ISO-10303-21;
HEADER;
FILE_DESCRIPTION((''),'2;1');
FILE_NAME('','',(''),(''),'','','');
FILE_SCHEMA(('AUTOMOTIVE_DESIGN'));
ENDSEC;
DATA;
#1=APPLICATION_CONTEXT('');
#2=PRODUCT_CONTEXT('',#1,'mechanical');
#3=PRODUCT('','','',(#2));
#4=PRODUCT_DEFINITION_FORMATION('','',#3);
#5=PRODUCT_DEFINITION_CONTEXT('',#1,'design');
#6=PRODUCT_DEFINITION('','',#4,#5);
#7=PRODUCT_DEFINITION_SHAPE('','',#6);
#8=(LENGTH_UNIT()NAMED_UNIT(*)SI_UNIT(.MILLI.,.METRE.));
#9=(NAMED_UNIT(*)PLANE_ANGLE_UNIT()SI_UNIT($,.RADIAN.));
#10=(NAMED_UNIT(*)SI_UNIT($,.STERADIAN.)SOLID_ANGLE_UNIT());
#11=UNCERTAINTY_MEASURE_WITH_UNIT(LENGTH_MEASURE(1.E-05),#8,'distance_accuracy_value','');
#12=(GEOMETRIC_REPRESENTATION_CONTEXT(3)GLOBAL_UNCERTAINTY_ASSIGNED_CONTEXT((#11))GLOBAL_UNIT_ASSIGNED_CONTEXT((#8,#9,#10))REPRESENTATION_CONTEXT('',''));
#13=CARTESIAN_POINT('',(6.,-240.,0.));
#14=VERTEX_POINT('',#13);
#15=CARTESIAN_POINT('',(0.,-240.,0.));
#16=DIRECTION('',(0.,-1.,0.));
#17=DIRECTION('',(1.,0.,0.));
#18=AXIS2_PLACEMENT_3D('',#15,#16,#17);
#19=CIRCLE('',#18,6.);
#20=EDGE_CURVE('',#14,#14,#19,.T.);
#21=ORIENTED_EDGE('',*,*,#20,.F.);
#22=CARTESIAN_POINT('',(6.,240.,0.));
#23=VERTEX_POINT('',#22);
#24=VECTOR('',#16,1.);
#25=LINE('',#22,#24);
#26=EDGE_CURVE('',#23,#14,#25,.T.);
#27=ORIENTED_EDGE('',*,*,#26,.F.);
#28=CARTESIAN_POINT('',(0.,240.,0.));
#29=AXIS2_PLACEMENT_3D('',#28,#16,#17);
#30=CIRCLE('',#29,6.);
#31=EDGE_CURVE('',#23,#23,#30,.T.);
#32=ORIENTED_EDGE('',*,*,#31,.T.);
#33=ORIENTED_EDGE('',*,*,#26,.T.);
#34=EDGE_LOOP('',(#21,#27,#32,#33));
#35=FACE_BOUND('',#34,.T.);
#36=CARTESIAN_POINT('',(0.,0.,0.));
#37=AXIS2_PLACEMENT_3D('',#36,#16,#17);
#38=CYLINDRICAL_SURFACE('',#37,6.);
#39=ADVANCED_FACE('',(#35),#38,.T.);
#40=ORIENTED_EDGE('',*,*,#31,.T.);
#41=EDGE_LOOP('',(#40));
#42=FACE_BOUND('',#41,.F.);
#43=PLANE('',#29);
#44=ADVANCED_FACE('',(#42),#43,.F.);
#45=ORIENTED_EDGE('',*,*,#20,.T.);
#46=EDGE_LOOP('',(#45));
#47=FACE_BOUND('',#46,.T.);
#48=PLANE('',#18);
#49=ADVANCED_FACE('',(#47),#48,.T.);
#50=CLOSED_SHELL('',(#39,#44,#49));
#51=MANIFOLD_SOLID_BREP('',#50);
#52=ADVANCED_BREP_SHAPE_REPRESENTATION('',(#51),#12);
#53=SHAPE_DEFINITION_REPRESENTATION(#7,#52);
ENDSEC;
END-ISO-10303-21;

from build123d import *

# Parameters (mm, degrees)
F1_R     = 6
F2_DEPTH = 240


with BuildPart() as f2:
    # F1 (on Front) → F2 (new body, symmetric)
    with BuildSketch(Plane.XZ):
        Circle(F1_R)
    extrude(amount=F2_DEPTH, both=True)


with BuildPart() as f3_1:
    # F3: copy of F2
    add(f2.part)


solid = f2.part
